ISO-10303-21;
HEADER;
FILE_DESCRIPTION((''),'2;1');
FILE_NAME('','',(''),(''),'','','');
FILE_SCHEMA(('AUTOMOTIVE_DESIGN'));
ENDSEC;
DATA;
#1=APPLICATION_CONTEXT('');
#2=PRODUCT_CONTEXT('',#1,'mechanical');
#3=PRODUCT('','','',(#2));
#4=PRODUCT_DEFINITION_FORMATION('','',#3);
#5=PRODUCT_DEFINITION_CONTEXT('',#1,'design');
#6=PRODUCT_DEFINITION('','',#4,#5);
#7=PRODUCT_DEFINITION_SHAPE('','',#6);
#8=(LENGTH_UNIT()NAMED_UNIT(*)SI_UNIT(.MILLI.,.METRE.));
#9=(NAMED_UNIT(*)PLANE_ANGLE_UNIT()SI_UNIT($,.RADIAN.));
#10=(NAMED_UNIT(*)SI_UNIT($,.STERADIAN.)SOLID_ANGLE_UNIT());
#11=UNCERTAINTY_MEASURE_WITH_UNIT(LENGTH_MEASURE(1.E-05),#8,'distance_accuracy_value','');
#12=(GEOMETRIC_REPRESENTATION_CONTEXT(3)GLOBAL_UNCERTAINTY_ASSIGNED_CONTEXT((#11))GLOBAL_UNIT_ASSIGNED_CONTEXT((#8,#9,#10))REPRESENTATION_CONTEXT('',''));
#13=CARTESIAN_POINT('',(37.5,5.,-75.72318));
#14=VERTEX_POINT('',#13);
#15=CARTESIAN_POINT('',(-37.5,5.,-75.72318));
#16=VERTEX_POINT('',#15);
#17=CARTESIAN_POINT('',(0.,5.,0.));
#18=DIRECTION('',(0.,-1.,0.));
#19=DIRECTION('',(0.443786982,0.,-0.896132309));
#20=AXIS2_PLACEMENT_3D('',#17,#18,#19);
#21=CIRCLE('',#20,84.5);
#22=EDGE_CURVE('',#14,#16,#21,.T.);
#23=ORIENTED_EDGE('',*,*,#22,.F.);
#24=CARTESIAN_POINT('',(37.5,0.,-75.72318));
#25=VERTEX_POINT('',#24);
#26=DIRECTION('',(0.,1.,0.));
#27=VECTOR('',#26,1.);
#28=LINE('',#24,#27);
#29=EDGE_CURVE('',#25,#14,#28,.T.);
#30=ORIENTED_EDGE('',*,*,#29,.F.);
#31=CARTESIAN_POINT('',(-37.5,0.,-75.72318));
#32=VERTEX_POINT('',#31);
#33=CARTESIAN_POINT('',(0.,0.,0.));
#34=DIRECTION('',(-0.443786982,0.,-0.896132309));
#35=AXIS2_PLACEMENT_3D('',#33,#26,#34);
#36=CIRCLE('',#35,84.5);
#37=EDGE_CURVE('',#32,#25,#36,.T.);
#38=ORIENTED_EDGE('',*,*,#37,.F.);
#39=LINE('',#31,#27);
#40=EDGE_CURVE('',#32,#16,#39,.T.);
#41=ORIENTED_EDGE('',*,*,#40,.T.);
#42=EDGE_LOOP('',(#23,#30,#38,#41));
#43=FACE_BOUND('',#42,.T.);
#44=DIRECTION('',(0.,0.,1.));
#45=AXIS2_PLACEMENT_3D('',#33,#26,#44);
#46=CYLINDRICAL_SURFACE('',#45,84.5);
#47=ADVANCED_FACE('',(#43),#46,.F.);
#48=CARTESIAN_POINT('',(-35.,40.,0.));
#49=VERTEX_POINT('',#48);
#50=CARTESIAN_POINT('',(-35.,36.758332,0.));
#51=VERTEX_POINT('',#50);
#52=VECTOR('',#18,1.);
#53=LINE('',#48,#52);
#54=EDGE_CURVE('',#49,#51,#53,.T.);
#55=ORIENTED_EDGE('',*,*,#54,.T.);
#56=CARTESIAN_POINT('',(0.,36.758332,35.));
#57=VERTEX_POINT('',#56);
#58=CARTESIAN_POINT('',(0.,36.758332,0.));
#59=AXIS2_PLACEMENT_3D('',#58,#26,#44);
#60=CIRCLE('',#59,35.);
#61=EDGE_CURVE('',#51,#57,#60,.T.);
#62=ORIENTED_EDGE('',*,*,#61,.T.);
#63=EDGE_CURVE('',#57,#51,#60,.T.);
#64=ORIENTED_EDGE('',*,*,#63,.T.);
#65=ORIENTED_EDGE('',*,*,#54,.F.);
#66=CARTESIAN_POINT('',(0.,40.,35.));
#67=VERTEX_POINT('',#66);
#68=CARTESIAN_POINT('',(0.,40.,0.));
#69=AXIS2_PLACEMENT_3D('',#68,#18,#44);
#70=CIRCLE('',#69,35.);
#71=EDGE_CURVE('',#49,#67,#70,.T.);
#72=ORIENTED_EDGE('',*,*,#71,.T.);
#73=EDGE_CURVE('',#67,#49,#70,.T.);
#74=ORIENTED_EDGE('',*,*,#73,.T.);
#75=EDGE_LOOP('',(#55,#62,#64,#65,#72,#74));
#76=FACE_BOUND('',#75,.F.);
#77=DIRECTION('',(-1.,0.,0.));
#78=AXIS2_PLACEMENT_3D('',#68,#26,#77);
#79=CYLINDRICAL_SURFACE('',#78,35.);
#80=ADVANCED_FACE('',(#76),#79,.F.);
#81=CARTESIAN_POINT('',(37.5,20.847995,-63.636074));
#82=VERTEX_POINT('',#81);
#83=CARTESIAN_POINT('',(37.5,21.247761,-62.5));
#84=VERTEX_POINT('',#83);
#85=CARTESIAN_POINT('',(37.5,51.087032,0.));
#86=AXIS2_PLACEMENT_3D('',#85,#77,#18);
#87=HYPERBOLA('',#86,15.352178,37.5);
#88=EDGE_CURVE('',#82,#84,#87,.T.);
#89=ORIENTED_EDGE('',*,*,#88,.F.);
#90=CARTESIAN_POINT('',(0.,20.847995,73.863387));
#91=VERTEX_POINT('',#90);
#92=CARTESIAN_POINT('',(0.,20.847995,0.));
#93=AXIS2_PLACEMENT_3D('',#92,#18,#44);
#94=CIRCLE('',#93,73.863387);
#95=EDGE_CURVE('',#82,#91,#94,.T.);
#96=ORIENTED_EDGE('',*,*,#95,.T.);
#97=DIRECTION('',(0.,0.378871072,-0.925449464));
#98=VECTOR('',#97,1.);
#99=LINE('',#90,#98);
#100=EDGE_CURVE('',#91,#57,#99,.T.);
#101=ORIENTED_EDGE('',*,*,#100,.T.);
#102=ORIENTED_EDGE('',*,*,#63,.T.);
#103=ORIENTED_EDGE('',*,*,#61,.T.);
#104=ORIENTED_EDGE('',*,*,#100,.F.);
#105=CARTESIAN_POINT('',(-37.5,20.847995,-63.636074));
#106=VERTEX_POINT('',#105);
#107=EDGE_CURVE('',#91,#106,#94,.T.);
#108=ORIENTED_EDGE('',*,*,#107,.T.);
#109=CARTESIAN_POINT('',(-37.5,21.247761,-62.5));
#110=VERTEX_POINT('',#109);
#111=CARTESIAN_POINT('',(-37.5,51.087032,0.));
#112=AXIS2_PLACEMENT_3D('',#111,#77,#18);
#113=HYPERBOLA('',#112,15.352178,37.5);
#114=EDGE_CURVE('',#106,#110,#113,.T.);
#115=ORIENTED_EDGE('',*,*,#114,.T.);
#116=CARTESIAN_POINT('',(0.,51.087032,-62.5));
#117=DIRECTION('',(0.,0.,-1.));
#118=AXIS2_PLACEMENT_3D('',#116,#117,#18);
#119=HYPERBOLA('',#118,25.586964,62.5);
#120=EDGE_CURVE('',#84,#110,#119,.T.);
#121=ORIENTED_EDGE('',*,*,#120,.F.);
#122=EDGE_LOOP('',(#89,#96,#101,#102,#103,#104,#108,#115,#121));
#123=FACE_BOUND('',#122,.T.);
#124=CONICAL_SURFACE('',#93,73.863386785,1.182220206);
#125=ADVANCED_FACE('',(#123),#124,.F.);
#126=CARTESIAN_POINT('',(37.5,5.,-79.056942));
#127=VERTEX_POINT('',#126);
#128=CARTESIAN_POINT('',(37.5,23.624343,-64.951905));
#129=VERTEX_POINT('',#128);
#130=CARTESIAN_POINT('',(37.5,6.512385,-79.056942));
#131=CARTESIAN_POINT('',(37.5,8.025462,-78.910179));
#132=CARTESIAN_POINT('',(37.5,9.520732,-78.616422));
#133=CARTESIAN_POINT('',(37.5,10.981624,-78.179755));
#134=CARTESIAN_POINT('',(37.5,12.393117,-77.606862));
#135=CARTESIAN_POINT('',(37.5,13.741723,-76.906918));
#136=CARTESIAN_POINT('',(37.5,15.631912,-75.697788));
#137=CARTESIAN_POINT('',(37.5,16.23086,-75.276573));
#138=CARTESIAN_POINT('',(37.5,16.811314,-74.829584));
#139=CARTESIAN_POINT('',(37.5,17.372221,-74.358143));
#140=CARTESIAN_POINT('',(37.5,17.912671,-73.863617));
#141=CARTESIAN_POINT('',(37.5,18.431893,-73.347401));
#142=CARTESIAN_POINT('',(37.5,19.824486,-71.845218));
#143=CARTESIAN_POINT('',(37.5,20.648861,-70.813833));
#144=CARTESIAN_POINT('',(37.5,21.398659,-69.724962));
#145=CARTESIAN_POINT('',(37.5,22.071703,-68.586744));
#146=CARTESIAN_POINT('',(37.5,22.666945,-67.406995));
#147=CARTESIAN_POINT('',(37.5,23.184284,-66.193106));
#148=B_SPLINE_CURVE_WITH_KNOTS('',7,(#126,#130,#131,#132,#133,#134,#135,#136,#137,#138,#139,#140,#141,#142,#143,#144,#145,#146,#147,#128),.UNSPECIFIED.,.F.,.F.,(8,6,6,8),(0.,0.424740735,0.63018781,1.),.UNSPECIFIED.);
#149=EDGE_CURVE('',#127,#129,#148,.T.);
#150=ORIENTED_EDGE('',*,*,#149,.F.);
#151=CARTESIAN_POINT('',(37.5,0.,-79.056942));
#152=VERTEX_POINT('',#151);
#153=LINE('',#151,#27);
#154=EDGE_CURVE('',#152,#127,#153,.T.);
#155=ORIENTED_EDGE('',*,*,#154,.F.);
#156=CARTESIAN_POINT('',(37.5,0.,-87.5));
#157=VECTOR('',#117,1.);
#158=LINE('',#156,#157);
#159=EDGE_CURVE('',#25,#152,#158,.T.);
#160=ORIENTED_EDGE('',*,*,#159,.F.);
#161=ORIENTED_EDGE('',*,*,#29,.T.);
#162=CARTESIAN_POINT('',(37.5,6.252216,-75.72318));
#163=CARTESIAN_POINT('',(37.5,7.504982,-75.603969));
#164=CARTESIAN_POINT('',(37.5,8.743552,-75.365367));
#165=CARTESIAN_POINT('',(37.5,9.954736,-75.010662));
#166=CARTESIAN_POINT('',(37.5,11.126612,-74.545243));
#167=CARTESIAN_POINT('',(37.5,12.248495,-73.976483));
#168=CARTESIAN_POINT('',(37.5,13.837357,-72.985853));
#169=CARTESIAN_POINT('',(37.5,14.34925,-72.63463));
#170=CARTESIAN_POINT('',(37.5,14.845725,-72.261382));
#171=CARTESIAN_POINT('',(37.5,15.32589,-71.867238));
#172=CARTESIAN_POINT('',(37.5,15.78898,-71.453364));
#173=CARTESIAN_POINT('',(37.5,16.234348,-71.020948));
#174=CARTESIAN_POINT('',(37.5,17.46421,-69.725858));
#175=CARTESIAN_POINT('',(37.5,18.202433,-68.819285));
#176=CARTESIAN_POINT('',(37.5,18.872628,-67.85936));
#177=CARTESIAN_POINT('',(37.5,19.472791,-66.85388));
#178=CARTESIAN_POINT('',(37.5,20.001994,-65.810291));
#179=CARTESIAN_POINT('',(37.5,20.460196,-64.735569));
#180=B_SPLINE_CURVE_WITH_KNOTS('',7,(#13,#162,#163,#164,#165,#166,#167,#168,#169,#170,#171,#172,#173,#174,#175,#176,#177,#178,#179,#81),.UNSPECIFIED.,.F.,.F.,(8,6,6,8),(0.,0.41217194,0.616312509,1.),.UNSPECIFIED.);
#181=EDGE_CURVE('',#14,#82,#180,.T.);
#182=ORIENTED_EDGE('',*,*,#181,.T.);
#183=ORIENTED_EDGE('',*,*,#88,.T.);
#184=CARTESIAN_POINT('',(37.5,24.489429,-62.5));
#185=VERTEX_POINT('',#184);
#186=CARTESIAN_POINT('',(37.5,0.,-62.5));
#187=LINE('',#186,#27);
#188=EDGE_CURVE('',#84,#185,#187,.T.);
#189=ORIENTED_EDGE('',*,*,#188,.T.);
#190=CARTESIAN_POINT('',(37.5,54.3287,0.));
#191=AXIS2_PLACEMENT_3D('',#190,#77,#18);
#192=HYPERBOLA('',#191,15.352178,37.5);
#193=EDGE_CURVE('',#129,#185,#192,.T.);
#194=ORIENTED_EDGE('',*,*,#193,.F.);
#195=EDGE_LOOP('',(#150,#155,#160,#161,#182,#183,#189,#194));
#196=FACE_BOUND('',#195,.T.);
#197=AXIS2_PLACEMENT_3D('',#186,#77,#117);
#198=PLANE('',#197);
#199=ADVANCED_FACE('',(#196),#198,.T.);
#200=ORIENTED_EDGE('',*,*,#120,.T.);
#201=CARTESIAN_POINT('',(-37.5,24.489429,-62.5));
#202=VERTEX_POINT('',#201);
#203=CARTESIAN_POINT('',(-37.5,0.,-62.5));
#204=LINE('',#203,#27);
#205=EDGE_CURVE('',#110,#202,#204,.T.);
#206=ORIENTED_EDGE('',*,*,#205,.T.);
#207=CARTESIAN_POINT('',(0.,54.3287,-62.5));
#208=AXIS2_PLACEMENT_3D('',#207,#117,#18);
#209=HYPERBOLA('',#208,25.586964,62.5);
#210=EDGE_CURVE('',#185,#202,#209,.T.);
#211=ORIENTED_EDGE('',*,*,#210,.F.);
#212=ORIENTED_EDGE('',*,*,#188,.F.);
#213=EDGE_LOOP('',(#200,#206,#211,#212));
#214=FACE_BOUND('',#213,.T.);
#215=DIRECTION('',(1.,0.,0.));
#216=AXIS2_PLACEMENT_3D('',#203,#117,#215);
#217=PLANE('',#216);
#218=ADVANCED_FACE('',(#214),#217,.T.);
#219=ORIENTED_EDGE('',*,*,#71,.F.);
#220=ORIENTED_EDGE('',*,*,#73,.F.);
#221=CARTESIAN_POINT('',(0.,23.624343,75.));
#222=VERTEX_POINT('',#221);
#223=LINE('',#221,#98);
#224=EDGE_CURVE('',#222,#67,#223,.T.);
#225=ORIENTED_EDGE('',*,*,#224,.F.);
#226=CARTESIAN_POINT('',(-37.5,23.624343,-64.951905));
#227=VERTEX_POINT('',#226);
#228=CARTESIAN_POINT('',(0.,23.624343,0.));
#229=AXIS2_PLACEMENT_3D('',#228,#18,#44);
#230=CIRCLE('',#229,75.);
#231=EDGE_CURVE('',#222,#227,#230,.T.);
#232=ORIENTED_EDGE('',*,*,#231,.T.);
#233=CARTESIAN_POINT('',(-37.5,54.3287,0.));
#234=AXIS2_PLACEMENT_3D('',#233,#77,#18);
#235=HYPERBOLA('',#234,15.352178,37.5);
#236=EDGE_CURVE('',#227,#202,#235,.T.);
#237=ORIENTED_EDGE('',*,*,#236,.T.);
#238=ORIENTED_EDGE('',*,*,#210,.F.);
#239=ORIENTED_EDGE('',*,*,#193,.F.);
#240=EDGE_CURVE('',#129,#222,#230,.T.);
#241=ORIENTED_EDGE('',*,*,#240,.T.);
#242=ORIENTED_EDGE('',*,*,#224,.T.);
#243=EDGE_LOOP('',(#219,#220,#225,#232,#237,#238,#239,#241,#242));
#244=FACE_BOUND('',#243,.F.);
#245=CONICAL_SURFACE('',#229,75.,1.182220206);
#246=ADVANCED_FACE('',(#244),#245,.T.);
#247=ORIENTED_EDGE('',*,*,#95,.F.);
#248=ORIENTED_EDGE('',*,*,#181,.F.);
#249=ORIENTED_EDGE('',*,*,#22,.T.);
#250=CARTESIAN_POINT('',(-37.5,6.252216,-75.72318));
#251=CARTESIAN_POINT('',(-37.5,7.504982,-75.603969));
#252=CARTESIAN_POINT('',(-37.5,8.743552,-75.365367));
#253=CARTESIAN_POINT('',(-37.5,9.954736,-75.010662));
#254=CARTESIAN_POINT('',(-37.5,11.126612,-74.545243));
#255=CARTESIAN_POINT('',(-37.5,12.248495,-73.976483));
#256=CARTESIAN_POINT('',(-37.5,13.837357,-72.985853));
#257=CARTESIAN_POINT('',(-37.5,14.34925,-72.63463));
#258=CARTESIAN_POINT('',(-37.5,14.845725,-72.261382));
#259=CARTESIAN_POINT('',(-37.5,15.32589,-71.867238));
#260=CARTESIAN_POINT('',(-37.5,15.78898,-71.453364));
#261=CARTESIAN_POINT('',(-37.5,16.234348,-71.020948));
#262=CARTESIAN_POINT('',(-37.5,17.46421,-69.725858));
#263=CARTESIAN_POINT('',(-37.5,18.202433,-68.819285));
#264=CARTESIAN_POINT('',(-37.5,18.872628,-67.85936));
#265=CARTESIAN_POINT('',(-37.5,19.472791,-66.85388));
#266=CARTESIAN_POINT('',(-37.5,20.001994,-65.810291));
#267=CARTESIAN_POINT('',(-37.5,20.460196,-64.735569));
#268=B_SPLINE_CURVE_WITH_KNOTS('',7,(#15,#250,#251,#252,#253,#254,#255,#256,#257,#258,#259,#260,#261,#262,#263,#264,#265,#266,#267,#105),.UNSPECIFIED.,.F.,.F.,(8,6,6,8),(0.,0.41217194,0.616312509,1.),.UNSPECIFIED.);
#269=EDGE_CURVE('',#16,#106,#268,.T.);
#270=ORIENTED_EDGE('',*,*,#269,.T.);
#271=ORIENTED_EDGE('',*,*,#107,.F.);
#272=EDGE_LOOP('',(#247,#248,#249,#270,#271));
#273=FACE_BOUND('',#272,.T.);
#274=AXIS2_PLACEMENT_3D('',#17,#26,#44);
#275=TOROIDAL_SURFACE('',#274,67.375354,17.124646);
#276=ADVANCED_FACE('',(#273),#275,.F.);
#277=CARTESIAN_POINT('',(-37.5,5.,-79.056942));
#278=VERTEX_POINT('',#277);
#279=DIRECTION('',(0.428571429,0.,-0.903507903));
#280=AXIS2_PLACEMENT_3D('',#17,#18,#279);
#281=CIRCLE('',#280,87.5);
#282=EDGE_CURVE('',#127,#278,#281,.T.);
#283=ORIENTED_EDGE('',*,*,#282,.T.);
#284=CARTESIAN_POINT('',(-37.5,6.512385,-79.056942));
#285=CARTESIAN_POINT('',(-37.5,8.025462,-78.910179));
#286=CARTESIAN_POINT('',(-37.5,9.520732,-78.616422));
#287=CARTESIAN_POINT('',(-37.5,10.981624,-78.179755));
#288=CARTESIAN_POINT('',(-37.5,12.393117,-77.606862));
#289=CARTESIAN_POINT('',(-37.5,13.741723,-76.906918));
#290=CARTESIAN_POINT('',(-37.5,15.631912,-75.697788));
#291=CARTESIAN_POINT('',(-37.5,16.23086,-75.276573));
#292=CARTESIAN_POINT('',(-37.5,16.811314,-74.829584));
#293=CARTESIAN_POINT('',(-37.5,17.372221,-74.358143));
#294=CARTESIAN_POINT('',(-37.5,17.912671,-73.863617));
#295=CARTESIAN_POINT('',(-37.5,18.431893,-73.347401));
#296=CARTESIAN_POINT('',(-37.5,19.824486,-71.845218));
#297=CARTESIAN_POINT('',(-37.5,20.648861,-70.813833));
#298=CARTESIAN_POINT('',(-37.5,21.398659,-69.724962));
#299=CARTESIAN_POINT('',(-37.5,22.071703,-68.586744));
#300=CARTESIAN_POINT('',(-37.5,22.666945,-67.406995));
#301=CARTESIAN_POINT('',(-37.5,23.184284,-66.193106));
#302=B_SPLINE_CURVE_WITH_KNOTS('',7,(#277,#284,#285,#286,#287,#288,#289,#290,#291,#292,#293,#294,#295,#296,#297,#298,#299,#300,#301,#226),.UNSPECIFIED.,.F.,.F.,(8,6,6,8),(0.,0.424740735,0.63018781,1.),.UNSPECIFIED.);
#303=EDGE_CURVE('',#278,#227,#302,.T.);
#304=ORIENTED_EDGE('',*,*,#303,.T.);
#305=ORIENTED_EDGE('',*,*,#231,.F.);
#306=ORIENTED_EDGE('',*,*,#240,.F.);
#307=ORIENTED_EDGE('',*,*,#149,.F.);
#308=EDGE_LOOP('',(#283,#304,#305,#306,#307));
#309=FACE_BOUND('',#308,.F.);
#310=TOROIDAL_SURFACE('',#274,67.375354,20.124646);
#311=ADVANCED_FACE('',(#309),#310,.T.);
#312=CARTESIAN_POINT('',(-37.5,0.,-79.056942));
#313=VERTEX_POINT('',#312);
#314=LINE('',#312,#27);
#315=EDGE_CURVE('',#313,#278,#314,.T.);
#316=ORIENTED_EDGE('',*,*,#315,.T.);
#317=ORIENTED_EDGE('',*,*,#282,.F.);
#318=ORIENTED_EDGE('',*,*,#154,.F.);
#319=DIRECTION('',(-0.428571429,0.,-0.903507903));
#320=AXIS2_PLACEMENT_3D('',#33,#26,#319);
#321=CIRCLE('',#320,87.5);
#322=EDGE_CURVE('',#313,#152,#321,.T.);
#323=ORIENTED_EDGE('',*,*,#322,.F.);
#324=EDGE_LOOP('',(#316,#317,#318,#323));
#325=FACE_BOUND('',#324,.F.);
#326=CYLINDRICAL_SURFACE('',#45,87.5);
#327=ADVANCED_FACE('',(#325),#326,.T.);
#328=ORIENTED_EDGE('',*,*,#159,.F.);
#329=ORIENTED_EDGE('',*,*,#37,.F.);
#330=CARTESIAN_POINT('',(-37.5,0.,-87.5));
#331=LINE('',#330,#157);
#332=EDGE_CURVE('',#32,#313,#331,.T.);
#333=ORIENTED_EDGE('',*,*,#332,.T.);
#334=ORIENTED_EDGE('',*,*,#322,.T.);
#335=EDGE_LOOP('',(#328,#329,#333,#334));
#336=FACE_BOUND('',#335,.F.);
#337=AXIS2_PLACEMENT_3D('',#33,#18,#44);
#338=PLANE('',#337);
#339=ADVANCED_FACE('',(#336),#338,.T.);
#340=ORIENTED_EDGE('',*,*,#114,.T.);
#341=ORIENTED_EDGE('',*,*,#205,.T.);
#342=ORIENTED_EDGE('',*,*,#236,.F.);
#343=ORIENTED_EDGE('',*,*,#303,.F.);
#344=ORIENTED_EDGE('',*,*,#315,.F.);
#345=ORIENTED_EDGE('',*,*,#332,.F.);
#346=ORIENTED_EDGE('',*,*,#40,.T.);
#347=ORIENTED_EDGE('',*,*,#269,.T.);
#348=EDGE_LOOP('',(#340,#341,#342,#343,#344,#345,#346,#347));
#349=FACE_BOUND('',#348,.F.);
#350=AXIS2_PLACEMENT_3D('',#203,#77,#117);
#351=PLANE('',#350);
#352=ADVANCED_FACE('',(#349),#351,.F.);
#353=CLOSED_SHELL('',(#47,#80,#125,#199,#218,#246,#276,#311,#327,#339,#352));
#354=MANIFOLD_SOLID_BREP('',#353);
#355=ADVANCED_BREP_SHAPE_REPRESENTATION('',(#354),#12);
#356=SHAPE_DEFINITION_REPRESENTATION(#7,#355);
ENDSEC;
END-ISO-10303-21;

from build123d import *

# Parameters (mm, degrees)
SHELL1_T           = -3
SKETCH2_R          = 35
CUT_EXTRUDE1_DEPTH = 131.048068171
SKETCH3_W          = 75
SKETCH3_H          = 50
CUT_EXTRUDE2_DEPTH = 131.048068171


with BuildPart() as part:
    # Sketch1 → Revolve1 (revolve)
    with BuildSketch(Plane.XY, mode=Mode.PRIVATE) as revolve1_sk:
        with BuildLine():
            Line((0, 40), (0, 0))
            Line((0, 0), (-87.5, 0))
            Line((-87.5, 0), (-87.5, 5))
            ThreePointArc((-87.5, 5), (-84.085301316, 16.215125476), (-75, 23.624343151))
            Line((-75, 23.624343151), (-35, 40))
            Line((-35, 40), (0, 40))
        make_face()
    revolve(revolve1_sk.sketch.rotate(Axis((0, 40, 0), (0, -1, 0)), 270), axis=Axis((0, 40, 0), (0, -1, 0)))

    # Shell1
    shell1_openings = [part.faces().sort_by_distance(p)[0] for p in [
        (0, 0, 0),
        (0, 40, 0),
    ]]
    offset(amount=SHELL1_T, openings=shell1_openings, kind=Kind.INTERSECTION)

    # Sketch2 → Cut-Extrude1 (cut, through all)
    with BuildSketch(Plane(origin=(0, 40, 0), x_dir=(1, 0, 0), z_dir=(0, 1, 0))):
        with Locations(Location((0, 0, 0), (0, 0, 180))):
            Circle(SKETCH2_R)
    extrude(amount=-CUT_EXTRUDE1_DEPTH, mode=Mode.SUBTRACT)

    # Sketch3 → Cut-Extrude2 (cut, through all)
    with BuildSketch(Plane(origin=(0, 0, 0), x_dir=(1, 0, 0), z_dir=(0, 1, 0))):
        with Locations((0, 87.5)):
            Rectangle(SKETCH3_W, SKETCH3_H)
    extrude(amount=CUT_EXTRUDE2_DEPTH, mode=Mode.SUBTRACT)


solid = part.part
